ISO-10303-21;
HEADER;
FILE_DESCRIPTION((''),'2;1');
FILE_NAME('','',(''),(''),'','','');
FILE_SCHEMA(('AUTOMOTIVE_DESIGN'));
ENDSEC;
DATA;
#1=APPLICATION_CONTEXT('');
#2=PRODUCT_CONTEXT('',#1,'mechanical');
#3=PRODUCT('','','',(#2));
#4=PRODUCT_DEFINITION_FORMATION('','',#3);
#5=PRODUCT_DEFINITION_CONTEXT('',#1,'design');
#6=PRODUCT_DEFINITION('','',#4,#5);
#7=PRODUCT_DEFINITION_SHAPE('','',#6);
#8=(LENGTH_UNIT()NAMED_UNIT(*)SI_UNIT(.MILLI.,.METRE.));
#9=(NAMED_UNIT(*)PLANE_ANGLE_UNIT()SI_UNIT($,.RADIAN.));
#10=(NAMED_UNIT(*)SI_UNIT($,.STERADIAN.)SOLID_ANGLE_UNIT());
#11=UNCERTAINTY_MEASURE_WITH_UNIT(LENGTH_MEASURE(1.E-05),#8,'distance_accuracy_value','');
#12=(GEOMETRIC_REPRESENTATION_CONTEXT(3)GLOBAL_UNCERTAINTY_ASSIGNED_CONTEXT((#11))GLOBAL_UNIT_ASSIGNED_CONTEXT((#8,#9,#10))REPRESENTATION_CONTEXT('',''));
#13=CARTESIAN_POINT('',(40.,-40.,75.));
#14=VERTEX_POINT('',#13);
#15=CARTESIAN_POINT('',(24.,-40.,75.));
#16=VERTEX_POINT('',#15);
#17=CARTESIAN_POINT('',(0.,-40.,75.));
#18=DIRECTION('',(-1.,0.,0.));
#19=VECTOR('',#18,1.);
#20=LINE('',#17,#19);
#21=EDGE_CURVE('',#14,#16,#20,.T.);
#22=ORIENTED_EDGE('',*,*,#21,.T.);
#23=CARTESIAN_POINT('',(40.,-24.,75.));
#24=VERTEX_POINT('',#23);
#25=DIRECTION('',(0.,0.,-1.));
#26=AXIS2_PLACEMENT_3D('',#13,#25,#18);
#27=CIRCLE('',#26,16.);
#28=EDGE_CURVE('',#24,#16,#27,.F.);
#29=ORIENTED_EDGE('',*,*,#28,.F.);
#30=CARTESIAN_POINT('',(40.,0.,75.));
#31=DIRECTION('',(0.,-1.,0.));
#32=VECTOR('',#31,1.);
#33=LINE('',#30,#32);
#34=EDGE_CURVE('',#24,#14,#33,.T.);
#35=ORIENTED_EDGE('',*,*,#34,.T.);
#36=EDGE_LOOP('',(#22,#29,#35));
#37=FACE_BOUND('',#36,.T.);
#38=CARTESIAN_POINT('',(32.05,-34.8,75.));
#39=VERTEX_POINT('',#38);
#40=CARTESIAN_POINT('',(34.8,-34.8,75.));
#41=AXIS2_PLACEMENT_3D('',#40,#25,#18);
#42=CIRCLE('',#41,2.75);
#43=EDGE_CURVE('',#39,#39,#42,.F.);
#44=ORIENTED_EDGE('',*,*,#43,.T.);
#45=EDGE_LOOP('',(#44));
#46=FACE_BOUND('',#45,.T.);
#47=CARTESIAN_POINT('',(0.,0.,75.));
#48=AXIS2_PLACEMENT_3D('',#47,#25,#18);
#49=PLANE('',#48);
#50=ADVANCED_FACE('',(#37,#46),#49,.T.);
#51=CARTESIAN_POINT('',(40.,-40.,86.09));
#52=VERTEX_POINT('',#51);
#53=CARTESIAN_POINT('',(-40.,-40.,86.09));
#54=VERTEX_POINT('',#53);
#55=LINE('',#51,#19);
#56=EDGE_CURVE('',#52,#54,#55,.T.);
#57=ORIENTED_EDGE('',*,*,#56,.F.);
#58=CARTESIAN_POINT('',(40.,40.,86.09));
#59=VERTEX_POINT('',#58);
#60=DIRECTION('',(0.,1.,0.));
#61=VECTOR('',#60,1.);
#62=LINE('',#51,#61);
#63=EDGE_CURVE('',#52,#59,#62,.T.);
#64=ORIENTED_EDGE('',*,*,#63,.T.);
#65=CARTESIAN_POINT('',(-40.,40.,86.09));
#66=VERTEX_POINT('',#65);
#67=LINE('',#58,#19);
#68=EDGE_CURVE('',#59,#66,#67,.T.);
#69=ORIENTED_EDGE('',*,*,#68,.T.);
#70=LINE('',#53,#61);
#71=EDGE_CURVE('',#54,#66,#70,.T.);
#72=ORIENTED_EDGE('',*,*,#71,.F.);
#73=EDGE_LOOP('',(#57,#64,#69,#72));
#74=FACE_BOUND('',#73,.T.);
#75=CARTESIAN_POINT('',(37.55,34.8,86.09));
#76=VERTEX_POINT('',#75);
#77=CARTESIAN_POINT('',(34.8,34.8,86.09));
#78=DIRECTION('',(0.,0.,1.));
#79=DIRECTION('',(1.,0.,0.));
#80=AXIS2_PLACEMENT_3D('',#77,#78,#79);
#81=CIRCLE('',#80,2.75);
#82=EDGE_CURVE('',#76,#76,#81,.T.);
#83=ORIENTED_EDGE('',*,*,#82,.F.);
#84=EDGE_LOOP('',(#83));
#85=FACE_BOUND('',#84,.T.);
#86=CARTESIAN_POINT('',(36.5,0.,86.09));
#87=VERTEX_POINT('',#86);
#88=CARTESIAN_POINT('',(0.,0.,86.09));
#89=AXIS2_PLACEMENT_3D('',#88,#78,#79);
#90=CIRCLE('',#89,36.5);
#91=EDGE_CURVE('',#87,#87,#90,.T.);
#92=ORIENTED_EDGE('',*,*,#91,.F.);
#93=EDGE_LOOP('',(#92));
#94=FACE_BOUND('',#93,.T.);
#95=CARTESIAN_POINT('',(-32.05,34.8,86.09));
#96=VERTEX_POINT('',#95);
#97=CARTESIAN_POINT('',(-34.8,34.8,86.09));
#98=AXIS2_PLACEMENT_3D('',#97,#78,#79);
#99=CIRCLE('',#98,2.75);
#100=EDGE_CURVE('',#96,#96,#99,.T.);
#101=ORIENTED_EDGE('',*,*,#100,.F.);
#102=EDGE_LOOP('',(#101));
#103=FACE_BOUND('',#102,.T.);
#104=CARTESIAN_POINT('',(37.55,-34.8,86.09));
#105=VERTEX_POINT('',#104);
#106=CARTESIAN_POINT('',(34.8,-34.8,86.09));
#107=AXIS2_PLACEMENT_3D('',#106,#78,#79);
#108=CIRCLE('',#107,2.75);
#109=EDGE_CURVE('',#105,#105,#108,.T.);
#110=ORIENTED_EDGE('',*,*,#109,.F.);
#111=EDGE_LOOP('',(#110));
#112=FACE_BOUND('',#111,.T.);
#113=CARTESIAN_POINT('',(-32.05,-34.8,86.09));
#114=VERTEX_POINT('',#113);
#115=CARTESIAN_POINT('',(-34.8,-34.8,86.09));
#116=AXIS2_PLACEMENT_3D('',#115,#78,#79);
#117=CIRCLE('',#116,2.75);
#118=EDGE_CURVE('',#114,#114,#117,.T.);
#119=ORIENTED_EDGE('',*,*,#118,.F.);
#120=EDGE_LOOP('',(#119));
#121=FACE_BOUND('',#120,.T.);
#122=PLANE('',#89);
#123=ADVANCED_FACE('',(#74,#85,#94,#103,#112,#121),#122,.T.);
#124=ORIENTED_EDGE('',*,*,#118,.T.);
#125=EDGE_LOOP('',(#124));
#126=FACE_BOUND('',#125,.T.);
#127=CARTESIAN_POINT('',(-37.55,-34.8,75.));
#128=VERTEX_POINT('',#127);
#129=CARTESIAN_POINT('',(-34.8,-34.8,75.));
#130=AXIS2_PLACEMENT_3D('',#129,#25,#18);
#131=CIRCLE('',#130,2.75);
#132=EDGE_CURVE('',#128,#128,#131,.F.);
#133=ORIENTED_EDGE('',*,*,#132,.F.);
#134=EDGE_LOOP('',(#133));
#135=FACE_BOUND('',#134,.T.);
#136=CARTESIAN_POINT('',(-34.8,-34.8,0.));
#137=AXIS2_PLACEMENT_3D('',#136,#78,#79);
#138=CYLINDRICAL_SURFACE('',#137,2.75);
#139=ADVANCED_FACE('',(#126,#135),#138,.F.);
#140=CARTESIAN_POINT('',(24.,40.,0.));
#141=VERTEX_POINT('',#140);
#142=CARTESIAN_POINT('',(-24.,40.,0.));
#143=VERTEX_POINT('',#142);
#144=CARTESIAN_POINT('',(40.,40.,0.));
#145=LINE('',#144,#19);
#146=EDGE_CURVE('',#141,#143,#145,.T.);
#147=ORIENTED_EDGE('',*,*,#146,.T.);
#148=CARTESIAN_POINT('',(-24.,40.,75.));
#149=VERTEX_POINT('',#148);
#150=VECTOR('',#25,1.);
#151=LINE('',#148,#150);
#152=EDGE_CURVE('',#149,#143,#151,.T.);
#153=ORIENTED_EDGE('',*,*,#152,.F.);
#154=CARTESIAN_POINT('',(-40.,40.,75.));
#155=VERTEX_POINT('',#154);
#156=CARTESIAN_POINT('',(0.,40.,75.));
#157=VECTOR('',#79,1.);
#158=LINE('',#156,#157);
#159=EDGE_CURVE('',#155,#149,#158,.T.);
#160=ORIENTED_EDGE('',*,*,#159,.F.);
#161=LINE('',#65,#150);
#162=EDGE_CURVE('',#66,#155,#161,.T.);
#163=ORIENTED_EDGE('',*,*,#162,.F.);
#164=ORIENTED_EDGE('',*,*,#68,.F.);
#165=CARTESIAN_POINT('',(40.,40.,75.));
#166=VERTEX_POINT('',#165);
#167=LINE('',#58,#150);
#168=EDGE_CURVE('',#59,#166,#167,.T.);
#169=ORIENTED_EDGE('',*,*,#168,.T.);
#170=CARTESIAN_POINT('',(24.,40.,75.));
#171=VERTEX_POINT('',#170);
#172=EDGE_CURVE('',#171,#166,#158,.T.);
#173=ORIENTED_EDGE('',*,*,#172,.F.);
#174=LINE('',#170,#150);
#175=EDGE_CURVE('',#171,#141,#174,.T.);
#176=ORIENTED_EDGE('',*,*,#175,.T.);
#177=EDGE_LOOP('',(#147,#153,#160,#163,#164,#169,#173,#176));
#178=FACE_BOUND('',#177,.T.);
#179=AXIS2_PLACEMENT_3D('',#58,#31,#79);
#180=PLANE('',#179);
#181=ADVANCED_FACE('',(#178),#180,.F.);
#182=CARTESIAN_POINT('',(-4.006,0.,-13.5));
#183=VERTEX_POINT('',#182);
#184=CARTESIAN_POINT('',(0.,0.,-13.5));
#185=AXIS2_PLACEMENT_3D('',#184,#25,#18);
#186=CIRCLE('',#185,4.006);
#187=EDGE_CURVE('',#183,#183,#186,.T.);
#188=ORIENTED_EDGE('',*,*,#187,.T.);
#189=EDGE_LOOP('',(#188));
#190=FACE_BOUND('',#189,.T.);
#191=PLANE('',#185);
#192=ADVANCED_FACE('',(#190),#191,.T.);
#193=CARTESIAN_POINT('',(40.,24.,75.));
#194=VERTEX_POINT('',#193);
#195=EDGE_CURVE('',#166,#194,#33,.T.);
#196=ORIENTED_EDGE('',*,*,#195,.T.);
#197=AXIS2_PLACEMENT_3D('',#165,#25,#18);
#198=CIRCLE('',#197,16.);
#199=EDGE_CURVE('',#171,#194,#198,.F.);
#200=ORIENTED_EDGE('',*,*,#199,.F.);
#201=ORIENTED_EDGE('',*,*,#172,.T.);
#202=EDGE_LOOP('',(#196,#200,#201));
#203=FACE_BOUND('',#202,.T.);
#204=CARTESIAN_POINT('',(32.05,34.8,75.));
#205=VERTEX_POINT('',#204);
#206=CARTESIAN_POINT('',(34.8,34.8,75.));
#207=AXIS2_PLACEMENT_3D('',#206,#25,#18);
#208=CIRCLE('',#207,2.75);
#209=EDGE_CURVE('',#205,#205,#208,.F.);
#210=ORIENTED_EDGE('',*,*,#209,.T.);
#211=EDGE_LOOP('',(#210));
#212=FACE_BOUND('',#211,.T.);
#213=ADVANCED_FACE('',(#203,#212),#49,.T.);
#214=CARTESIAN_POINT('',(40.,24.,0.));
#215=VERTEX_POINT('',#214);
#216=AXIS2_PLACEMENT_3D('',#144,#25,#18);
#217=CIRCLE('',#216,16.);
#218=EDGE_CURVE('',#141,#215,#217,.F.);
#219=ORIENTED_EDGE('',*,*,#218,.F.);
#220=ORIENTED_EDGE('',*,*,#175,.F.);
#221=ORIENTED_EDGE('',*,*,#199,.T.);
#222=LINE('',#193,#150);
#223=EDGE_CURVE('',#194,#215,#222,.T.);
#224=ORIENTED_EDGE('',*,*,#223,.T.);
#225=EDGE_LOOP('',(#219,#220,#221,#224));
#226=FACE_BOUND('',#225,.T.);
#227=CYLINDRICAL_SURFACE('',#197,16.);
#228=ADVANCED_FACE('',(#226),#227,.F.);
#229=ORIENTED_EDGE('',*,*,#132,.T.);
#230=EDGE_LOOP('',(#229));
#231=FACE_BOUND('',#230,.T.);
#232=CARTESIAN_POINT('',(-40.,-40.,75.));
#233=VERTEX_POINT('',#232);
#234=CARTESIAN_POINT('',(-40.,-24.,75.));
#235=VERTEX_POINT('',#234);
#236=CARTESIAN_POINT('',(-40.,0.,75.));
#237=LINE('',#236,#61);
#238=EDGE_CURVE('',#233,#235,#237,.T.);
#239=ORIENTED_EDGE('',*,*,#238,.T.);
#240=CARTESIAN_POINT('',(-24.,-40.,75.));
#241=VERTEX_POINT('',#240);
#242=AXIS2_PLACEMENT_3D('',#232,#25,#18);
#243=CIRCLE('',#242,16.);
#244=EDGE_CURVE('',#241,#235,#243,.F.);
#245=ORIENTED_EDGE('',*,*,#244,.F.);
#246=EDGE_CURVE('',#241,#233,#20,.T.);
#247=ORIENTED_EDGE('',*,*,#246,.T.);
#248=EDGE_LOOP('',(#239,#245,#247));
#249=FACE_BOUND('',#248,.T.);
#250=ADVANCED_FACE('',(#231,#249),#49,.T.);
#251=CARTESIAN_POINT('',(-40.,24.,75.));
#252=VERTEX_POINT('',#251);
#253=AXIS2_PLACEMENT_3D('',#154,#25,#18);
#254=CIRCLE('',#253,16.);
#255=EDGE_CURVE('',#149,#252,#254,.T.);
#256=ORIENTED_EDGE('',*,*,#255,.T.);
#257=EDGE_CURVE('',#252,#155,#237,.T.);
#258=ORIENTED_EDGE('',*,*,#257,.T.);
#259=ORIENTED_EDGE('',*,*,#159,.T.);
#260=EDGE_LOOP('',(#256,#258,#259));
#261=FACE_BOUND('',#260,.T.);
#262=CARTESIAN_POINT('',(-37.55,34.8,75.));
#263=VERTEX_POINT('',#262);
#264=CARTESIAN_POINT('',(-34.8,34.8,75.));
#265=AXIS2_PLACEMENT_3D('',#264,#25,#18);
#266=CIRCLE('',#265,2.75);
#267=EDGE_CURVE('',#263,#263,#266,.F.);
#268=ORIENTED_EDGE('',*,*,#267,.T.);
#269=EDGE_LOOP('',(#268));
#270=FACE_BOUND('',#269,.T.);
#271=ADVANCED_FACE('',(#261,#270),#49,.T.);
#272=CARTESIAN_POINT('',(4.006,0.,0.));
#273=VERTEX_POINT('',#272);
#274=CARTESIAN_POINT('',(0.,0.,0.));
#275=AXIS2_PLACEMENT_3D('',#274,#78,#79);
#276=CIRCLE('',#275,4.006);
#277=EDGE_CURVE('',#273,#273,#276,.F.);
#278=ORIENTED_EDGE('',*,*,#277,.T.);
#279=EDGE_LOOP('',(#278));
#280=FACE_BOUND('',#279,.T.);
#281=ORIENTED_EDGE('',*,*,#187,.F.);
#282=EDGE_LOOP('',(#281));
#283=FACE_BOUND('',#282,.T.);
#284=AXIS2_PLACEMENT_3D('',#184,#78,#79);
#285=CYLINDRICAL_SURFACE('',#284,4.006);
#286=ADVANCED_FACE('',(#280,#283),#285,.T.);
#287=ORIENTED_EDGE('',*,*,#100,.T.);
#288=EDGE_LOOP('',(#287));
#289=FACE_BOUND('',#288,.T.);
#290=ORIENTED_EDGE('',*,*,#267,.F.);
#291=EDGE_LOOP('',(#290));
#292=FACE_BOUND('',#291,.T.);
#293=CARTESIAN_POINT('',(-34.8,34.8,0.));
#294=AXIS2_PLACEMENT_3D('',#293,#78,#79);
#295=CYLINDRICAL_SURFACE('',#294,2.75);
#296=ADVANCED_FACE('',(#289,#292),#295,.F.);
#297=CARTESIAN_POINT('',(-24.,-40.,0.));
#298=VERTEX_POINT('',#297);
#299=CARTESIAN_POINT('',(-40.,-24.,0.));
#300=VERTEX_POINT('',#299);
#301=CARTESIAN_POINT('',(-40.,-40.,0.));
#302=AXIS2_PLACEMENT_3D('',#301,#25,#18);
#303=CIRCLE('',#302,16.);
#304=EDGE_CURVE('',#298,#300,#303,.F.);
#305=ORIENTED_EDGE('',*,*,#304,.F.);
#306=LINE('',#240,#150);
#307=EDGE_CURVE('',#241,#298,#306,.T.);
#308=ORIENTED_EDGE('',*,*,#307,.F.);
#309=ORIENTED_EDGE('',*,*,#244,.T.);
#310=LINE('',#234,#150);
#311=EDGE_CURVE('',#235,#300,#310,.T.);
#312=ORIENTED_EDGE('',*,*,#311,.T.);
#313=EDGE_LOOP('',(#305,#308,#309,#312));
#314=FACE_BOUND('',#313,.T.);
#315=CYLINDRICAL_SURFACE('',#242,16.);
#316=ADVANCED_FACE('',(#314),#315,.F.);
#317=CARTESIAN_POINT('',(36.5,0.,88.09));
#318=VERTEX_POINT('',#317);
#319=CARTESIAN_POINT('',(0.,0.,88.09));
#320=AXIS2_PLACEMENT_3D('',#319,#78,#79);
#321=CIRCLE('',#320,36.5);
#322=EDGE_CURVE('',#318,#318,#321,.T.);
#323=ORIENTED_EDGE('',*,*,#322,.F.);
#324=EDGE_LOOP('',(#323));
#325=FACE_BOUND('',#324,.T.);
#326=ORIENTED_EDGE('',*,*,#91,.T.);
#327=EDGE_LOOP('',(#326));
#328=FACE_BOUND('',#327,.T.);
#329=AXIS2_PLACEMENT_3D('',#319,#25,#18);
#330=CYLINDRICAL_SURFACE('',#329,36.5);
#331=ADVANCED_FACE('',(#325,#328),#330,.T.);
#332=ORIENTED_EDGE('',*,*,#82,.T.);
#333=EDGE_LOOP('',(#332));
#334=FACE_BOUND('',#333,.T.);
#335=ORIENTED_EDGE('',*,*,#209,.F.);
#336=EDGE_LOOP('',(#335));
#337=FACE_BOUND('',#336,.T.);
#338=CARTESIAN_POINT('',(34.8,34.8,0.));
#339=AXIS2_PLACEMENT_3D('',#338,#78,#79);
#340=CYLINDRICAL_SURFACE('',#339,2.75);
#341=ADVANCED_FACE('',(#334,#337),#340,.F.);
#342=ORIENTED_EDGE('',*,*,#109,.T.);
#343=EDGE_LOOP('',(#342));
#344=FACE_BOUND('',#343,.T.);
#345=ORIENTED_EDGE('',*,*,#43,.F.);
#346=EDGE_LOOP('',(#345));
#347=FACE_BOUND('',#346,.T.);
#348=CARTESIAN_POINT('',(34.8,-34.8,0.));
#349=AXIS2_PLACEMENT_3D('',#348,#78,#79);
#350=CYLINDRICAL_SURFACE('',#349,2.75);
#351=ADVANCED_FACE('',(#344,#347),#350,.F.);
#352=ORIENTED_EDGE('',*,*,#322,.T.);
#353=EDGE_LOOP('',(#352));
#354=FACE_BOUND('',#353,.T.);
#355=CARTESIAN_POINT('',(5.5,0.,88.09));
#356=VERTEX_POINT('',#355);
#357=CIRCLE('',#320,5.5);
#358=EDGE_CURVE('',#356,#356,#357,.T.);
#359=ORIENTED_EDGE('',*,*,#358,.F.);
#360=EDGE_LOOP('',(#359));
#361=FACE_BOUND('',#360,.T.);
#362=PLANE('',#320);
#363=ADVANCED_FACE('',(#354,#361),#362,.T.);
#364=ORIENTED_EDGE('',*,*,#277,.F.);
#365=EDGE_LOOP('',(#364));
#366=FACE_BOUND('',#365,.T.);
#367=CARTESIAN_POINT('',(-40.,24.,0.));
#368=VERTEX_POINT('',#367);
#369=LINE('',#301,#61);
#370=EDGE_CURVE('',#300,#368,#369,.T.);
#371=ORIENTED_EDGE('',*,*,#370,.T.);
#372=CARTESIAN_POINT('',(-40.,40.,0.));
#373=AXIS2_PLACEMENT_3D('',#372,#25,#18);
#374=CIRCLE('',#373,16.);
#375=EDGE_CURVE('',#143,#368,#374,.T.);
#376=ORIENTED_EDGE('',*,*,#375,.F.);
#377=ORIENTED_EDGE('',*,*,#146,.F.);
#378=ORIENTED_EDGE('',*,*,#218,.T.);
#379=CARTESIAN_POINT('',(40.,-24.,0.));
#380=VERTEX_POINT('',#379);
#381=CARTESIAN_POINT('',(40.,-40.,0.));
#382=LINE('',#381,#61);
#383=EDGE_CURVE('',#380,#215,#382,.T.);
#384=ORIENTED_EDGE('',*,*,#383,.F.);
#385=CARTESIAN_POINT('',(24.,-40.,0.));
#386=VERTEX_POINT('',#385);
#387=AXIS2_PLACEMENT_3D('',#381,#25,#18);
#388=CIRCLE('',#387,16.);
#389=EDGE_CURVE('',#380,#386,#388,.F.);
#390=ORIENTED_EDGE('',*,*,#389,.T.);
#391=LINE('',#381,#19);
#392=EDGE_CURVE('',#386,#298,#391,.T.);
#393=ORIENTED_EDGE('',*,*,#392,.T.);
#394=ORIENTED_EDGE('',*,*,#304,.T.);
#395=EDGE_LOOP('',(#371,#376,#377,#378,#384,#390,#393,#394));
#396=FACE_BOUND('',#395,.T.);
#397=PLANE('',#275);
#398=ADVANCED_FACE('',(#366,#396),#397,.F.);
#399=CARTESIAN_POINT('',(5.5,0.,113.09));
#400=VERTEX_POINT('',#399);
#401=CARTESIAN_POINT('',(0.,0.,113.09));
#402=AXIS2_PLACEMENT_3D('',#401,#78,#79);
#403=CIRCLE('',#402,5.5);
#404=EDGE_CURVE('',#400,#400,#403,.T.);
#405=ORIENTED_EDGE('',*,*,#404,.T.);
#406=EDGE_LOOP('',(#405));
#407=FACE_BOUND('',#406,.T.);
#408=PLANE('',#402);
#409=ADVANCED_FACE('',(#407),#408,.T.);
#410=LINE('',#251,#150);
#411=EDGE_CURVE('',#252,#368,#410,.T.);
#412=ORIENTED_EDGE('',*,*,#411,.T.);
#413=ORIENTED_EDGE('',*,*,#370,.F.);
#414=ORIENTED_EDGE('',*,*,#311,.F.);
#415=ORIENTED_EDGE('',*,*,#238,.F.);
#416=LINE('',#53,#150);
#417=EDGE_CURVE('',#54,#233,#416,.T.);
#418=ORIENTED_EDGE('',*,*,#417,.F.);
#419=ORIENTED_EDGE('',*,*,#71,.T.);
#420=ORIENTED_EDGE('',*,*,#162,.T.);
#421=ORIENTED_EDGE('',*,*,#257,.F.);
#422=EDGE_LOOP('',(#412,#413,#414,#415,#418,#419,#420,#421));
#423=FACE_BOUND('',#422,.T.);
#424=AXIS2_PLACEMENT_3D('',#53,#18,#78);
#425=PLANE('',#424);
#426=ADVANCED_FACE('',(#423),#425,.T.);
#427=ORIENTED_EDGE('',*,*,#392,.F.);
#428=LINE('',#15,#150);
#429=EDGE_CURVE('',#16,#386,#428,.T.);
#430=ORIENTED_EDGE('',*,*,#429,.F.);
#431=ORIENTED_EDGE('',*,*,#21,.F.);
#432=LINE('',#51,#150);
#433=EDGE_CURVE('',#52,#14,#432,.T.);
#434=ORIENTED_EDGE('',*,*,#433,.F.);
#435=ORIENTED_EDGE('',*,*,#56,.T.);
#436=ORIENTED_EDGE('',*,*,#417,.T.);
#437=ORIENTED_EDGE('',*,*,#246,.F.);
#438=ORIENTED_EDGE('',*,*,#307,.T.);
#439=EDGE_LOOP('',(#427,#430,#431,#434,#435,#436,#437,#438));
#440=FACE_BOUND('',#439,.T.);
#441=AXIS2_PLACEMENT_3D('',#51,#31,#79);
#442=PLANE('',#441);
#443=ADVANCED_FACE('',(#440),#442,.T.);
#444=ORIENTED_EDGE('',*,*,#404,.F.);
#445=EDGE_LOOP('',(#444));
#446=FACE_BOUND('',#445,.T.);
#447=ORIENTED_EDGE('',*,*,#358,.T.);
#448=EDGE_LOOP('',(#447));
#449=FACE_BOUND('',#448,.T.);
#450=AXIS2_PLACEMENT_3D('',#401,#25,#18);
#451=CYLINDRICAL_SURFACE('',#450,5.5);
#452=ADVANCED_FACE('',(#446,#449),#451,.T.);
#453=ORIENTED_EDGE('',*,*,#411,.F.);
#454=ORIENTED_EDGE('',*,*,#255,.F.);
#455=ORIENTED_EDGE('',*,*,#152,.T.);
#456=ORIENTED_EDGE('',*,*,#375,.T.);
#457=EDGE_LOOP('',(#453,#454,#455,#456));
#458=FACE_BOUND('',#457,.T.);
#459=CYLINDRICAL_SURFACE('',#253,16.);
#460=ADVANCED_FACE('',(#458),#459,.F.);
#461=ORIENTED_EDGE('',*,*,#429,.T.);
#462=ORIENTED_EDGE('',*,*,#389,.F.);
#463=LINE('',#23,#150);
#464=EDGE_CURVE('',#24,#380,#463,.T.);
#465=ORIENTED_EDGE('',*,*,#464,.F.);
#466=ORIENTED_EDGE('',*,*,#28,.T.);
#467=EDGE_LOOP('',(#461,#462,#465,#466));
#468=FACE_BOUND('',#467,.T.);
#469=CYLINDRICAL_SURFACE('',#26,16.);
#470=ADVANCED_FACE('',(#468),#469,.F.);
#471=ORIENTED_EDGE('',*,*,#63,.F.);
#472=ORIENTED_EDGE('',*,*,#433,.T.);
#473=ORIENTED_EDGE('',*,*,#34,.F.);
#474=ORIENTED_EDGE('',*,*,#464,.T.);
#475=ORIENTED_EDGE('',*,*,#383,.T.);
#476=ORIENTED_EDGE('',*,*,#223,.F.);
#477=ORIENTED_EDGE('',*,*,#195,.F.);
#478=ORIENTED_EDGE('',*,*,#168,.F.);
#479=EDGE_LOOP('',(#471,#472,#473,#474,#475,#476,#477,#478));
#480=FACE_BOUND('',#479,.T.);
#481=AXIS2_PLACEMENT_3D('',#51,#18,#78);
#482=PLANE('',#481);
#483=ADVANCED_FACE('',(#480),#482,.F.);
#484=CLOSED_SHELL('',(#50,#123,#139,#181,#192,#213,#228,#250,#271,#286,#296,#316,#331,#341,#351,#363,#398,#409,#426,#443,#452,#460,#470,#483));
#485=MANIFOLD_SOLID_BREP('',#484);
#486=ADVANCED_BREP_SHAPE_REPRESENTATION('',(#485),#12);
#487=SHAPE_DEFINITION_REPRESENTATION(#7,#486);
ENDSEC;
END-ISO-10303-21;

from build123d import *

# Parameters (mm, degrees)
SKETCH2_W           = 80
SKETCH2_H           = 80
BOSS_EXTRUDE1_DEPTH = 86.09
SKETCH3_R           = 2.75
CUT_EXTRUDE1_DEPTH  = 104.012077447
SKETCH4_R           = 36.5
BOSS_EXTRUDE2_DEPTH = 2
SKETCH5_R           = 5.5
BOSS_EXTRUDE3_DEPTH = 25
CUT_EXTRUDE2_START  = -75
SKETCH6_R           = 2.75
CUT_EXTRUDE2_DEPTH  = 75
SKETCH7_R           = 4.006
BOSS_EXTRUDE4_DEPTH = 13.5


with BuildPart() as part:
    # Sketch2 → Boss-Extrude1 (new body)
    with BuildSketch(Plane.XY):
        Rectangle(SKETCH2_W, SKETCH2_H)
    extrude(amount=BOSS_EXTRUDE1_DEPTH)

    # Sketch3 → Cut-Extrude1 (cut, through all)
    with BuildSketch(Plane.XY.offset(86.09)):
        with Locations((-34.8, 34.8)):
            Circle(SKETCH3_R)
        with Locations((34.8, 34.8)):
            Circle(SKETCH3_R)
        with Locations((-34.8, -34.8)):
            Circle(SKETCH3_R)
        with Locations((34.8, -34.8)):
            Circle(SKETCH3_R)
    extrude(amount=-CUT_EXTRUDE1_DEPTH, mode=Mode.SUBTRACT)

    # Sketch4 → Boss-Extrude2 (add)
    with BuildSketch(Plane.XY.offset(86.09)):
        Circle(SKETCH4_R)
    extrude(amount=BOSS_EXTRUDE2_DEPTH)

    # Sketch5 → Boss-Extrude3 (add)
    with BuildSketch(Plane.XY.offset(88.09)):
        Circle(SKETCH5_R)
    extrude(amount=BOSS_EXTRUDE3_DEPTH)

    # Sketch6 → Cut-Extrude2 (cut)
    # profile 1 of 4: a face of its own
    with BuildSketch(Plane(origin=(0, 0, 0), x_dir=(-1, 0, 0), z_dir=(0, 0, -1)).offset(CUT_EXTRUDE2_START)):
        with BuildLine():
            Line((-40, 40), (-40, 24))
            ThreePointArc((-40, 24), (-28.686291501, 28.686291501), (-24, 40))
            Line((-24, 40), (-40, 40))
        make_face()
        with Locations(Location((-34.8, 34.8, 0), (0, 0, 180))):
            Circle(SKETCH6_R, mode=Mode.SUBTRACT)
    # profile 2 of 4: a face of its own
    with BuildSketch(Plane(origin=(0, 0, 0), x_dir=(-1, 0, 0), z_dir=(0, 0, -1)).offset(CUT_EXTRUDE2_START)):
        with BuildLine():
            ThreePointArc((24, 40), (28.686291501, 28.686291501), (40, 24))
            Line((40, 24), (40, 40))
            Line((40, 40), (24, 40))
        make_face()
        with Locations(Location((34.8, 34.8, 0), (0, 0, 180))):
            Circle(SKETCH6_R, mode=Mode.SUBTRACT)
    # profile 3 of 4: a face of its own
    with BuildSketch(Plane(origin=(0, 0, 0), x_dir=(-1, 0, 0), z_dir=(0, 0, -1)).offset(CUT_EXTRUDE2_START)):
        with BuildLine():
            Line((24, -40), (40, -40))
            Line((40, -40), (40, -24))
            ThreePointArc((40, -24), (28.686291501, -28.686291501), (24, -40))
        make_face()
        with Locations(Location((34.8, -34.8, 0), (0, 0, 180))):
            Circle(SKETCH6_R, mode=Mode.SUBTRACT)
    # profile 4 of 4: a face of its own
    with BuildSketch(Plane(origin=(0, 0, 0), x_dir=(-1, 0, 0), z_dir=(0, 0, -1)).offset(CUT_EXTRUDE2_START)):
        with BuildLine():
            Line((-40, -40), (-24, -40))
            ThreePointArc((-24, -40), (-28.686291501, -28.686291501), (-40, -24))
            Line((-40, -24), (-40, -40))
        make_face()
        with Locations(Location((-34.8, -34.8, 0), (0, 0, 180))):
            Circle(SKETCH6_R, mode=Mode.SUBTRACT)
    extrude(amount=CUT_EXTRUDE2_DEPTH, mode=Mode.SUBTRACT)

    # Sketch7 → Boss-Extrude4 (add)
    with BuildSketch(Plane(origin=(0, 0, 0), x_dir=(-1, 0, 0), z_dir=(0, 0, -1))):
        with Locations(Location((0, 0, 0), (0, 0, 180))):
            Circle(SKETCH7_R)
    extrude(amount=BOSS_EXTRUDE4_DEPTH)


solid = part.part
